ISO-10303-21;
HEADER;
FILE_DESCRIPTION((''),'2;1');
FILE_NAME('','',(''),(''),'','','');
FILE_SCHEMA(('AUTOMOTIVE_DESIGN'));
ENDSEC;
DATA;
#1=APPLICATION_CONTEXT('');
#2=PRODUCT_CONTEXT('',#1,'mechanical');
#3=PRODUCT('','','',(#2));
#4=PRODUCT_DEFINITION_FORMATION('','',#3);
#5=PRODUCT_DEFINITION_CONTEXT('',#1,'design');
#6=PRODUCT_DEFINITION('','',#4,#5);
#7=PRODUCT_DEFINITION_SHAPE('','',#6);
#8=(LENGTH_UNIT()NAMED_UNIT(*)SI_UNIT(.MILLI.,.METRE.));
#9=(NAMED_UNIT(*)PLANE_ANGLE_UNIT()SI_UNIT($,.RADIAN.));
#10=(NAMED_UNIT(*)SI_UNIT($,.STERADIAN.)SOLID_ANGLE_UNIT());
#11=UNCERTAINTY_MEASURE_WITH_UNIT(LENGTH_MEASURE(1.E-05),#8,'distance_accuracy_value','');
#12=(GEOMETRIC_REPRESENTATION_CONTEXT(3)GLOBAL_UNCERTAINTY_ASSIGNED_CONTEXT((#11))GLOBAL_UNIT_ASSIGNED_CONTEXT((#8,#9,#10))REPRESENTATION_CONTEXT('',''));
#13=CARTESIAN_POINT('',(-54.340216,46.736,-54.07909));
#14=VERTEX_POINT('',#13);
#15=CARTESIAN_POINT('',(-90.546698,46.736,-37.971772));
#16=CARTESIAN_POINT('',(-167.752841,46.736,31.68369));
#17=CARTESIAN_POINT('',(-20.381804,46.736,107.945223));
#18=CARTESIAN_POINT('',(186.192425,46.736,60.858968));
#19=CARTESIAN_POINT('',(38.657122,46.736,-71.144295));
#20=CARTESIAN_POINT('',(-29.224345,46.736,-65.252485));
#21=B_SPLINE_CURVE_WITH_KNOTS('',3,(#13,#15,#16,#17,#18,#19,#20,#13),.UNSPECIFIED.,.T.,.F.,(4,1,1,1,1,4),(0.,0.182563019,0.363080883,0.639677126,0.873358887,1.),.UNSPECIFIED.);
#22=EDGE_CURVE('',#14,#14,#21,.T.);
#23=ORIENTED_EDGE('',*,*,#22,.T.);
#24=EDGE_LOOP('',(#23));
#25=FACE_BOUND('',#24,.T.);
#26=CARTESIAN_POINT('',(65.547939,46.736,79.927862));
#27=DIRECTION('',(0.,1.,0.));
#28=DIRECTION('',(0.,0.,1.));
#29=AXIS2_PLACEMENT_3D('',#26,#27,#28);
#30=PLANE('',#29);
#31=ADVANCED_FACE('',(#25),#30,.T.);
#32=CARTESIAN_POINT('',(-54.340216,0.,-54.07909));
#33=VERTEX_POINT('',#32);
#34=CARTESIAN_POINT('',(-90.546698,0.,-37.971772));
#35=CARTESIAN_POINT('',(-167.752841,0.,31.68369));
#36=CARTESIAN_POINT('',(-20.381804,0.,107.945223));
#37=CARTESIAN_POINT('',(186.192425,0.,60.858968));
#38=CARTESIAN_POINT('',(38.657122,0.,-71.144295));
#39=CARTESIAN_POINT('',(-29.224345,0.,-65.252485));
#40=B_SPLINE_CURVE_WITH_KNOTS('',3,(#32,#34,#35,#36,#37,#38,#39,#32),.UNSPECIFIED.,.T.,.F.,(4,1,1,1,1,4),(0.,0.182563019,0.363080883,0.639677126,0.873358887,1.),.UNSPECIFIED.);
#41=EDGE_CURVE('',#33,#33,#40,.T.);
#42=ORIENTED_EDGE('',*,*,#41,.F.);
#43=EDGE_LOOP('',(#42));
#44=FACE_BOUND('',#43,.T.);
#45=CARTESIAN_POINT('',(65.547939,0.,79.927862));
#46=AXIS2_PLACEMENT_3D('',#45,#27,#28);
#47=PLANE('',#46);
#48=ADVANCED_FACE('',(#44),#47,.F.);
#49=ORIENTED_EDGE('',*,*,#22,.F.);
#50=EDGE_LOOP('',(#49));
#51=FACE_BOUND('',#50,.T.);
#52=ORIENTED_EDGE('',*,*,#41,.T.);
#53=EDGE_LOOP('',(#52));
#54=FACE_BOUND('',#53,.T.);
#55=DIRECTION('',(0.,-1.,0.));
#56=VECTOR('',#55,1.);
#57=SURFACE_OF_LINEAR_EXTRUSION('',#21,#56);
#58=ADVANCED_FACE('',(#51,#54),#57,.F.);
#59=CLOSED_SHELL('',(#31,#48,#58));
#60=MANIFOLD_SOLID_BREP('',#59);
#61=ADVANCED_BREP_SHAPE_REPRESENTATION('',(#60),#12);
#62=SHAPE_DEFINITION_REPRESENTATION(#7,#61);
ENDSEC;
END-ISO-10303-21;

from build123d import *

# Parameters (mm, degrees)
BOSS_EXTRUDE1_DEPTH = 46.736


with BuildPart() as part:
    # Sketch1 → Boss-Extrude1 (new body)
    with BuildSketch(Plane(origin=(0, 0, 0), x_dir=(1, 0, 0), z_dir=(0, 1, 0))):
        with BuildLine():
            add(Edge.make_bspline(
                [(-54.340215738, 54.079090059), (-29.224344968, 65.252484615), (38.657121654, 71.144295096), (186.192424521, -60.858968332), (-20.38180385, -107.945223122), (-167.752840572, -31.683689546), (-90.54669776, 37.971772387), (-54.340215738, 54.079090059)],
                knots=[0, 0, 0, 0, 0.126641113, 0.360322874, 0.636919117, 0.817436981, 1, 1, 1, 1], degree=3))
        make_face()
    extrude(amount=BOSS_EXTRUDE1_DEPTH)


solid = part.part
